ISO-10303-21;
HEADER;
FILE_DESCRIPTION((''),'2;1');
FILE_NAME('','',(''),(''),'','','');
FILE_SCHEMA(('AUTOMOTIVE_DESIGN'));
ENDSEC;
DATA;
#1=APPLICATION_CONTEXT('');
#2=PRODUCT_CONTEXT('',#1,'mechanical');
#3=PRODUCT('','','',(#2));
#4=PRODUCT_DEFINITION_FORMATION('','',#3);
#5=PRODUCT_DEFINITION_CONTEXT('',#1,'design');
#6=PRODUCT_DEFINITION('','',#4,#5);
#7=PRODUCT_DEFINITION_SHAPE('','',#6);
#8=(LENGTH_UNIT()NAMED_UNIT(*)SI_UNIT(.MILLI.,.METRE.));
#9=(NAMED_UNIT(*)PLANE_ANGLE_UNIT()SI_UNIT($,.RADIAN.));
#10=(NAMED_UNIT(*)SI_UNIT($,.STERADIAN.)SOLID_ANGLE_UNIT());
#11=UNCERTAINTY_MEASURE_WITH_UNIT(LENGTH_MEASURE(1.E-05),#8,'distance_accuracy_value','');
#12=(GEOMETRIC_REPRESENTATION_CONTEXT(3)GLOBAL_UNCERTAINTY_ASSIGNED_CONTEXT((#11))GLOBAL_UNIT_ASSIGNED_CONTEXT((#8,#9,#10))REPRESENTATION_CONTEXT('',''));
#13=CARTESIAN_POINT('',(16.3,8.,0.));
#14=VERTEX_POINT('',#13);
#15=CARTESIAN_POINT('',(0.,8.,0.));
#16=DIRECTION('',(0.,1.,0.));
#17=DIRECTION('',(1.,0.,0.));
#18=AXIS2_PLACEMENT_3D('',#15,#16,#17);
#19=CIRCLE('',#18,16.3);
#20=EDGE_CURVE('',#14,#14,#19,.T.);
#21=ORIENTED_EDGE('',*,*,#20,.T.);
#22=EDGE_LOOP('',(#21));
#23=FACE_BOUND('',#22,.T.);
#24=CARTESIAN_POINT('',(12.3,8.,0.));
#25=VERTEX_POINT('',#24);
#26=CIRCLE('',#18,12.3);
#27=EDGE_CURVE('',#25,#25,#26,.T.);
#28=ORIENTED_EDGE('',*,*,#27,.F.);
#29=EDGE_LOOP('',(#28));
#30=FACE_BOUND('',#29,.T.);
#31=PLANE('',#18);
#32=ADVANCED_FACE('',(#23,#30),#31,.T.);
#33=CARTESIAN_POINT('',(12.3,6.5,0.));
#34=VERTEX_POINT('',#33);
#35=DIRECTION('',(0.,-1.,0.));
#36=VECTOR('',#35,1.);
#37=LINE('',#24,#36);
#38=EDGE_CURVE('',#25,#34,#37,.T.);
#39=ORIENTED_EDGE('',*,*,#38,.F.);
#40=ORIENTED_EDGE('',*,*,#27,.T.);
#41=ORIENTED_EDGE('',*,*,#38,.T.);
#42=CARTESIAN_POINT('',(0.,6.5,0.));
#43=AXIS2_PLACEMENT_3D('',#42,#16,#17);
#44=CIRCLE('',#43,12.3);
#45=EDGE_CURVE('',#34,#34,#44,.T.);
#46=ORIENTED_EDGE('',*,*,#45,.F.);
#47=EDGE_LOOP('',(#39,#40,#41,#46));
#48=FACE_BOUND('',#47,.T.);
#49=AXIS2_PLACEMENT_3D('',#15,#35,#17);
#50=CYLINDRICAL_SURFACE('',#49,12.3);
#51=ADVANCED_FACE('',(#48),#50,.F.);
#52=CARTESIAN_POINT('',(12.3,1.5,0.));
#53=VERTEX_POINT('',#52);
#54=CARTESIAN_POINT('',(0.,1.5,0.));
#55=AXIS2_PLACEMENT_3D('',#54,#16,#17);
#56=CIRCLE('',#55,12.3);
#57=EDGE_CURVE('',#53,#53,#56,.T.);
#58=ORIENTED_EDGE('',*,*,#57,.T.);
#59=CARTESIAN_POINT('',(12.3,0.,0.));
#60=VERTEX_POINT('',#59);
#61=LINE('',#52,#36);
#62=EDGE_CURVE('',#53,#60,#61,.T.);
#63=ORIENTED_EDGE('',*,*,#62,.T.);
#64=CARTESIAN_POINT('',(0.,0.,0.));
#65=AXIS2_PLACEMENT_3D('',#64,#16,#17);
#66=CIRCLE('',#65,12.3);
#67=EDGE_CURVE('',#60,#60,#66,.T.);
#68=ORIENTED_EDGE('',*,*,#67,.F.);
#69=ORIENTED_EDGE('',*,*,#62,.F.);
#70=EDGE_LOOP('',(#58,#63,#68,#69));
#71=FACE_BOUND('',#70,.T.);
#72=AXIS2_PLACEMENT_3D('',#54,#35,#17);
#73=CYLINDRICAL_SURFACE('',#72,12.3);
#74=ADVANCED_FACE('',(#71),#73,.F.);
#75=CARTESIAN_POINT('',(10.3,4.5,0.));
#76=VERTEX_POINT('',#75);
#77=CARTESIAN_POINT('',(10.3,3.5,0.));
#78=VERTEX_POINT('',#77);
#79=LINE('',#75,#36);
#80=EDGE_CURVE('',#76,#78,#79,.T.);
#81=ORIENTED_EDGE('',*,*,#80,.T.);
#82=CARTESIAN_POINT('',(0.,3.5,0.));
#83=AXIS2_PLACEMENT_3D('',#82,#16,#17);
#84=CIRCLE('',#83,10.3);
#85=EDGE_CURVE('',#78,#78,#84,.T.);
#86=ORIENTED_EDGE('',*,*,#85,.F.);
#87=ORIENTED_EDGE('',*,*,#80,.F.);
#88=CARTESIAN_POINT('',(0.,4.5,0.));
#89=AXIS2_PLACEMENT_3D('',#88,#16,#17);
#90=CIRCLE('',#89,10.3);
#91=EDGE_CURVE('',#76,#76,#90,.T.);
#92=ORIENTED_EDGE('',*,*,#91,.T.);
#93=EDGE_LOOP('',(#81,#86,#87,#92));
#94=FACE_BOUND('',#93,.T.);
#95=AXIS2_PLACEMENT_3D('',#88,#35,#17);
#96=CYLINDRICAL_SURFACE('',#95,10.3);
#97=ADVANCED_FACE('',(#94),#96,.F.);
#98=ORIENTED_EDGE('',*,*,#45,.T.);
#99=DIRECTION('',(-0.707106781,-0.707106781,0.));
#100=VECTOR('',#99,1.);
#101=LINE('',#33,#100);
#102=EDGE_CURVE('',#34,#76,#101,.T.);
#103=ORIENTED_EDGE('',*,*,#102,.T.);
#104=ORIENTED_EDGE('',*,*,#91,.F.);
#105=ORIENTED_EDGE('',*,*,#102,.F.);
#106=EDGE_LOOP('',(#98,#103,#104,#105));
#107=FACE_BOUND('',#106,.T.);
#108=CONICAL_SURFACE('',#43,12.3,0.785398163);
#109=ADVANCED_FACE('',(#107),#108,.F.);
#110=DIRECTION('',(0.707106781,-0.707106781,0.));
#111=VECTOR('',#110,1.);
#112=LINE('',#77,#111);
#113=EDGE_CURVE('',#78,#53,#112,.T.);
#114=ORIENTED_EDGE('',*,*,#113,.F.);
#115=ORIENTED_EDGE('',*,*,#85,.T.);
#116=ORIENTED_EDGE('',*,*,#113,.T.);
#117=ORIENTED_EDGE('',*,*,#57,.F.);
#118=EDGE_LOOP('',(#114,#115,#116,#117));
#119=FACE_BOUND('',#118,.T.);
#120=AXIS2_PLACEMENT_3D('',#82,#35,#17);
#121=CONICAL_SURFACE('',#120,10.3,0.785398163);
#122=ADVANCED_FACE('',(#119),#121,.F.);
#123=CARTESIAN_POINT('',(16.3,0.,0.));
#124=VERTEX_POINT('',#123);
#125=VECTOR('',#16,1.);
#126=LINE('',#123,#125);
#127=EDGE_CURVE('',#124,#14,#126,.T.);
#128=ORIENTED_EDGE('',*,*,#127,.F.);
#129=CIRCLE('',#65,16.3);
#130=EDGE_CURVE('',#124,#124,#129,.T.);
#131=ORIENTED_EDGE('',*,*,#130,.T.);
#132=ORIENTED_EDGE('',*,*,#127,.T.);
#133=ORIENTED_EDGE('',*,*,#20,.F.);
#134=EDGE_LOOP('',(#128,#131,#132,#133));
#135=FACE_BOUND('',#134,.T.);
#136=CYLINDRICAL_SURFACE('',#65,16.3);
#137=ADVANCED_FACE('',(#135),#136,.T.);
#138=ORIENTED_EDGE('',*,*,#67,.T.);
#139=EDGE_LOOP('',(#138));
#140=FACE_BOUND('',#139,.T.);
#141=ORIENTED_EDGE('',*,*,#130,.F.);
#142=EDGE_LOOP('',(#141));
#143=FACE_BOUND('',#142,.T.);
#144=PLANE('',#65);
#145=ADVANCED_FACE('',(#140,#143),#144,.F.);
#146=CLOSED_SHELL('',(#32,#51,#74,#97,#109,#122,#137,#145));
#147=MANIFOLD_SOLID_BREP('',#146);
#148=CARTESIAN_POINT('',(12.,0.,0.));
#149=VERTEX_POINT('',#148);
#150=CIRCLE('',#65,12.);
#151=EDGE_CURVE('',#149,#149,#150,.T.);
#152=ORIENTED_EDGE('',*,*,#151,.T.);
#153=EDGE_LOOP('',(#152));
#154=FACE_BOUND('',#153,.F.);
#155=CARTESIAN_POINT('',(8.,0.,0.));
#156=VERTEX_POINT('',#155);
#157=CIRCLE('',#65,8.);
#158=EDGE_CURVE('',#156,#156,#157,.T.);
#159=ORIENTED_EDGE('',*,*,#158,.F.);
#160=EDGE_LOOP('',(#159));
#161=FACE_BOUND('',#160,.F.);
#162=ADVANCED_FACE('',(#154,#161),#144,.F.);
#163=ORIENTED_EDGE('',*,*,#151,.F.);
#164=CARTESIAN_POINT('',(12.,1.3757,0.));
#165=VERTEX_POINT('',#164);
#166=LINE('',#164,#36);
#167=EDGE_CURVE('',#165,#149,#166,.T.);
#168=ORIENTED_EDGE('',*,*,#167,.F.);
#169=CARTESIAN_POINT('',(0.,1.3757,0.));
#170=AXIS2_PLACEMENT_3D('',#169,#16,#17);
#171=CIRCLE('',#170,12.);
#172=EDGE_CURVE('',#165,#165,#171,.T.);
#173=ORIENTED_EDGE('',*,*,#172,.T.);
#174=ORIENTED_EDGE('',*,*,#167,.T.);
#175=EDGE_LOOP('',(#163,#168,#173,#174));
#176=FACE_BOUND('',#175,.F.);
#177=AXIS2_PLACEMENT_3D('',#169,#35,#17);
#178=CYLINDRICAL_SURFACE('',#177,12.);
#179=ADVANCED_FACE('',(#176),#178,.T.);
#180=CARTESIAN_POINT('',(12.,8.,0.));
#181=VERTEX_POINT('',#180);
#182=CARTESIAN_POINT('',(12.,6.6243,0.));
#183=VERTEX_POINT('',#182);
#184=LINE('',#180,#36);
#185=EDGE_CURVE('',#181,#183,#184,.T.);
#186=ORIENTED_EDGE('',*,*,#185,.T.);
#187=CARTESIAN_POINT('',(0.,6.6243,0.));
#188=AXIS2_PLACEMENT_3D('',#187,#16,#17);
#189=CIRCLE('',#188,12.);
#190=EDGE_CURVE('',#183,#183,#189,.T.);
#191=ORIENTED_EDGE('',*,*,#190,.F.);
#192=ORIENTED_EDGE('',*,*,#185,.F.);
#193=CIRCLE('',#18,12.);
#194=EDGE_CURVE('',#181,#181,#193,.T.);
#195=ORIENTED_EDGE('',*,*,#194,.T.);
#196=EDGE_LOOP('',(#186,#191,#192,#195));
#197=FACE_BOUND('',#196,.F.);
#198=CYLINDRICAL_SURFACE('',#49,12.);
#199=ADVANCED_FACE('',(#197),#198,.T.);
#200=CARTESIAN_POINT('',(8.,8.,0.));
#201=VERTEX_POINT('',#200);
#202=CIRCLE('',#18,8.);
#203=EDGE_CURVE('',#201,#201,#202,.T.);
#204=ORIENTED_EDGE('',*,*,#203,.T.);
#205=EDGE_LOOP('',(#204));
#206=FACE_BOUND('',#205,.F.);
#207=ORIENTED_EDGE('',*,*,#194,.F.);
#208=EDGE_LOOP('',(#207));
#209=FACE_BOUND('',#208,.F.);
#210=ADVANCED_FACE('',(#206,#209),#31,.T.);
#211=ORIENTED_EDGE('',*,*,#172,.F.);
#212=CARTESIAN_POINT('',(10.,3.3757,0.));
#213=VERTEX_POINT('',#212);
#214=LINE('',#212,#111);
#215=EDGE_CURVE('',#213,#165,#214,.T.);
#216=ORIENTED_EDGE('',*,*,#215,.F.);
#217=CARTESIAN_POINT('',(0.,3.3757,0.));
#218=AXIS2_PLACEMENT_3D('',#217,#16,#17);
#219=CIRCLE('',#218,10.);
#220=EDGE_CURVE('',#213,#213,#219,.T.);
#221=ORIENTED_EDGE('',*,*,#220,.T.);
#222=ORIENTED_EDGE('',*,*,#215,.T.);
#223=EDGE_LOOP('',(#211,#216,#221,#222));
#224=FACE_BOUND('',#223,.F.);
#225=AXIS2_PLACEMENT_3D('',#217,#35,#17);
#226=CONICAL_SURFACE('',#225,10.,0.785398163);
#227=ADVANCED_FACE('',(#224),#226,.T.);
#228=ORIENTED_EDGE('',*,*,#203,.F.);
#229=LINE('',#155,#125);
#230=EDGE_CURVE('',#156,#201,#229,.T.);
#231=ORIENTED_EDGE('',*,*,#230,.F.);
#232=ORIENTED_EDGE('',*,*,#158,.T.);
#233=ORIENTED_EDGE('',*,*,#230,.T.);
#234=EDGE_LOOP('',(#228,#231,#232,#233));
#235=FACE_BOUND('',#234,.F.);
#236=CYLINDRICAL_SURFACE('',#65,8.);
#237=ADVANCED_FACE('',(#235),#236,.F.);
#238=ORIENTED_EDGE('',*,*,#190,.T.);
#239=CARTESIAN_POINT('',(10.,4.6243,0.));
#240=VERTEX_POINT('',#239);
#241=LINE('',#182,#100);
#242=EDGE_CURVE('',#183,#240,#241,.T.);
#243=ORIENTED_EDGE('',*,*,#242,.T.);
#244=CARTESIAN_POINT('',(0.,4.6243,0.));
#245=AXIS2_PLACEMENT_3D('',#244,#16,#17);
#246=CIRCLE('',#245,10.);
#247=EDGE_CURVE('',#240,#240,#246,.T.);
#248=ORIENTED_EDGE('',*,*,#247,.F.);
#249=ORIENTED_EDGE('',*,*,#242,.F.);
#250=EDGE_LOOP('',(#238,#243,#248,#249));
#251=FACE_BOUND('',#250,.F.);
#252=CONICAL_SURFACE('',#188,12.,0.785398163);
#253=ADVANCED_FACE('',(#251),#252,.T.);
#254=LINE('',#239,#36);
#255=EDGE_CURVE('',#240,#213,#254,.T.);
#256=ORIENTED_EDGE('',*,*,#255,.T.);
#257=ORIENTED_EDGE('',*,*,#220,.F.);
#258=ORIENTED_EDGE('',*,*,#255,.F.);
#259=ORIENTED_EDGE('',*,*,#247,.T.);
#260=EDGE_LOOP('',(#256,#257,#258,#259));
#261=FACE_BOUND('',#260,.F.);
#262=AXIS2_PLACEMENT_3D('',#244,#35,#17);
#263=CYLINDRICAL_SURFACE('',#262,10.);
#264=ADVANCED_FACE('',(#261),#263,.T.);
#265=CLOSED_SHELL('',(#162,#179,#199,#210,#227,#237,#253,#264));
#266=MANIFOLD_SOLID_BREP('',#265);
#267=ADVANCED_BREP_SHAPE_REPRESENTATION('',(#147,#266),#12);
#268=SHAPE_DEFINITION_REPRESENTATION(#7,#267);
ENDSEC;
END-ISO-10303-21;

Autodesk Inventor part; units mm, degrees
ref_plane "YZ Plane" through (0, 0, 0) normal (1, 0, 0) x (0, 1, 0)
ref_plane "XZ Plane" through (0, 0, 0) normal (0, 1, 0) x (-1, 0, 0)
ref_plane "XY Plane" through (0, 0, 0) normal (0, 0, 1) x (1, 0, 0)
sketch "Sketch1" plane through (0, 0, 0) normal (0, 0, 1) x (1, 0, 0)
  line L0 (0, 0) -> (0, 31.7838) construction
  line L1 (8, 0) -> (8, 8)
  line L2 (8, 8) -> (12, 8)
  line L3 (12, 8) -> (12, 6.6243)
  line L4 (12, 6.6243) -> (10, 4.6243)
  line L5 (10, 4.6243) -> (10, 3.3757)
  line L6 (10, 3.3757) -> (12, 1.3757)
  line L7 (12, 1.3757) -> (12, 0)
  line L8 (12, 0) -> (8, 0)
  line L9 (12.3, 8) -> (12.3, 6.5)
  line L10 (12.3, 6.5) -> (10.3, 4.5)
  line L11 (10.3, 4.5) -> (10.3, 3.5)
  line L12 (10.3, 3.5) -> (12.3, 1.5)
  line L13 (12.3, 1.5) -> (12.3, 0)
  line L14 (16.3, 0) -> (16.3, 8)
  line L15 (16.3, 8) -> (12.3, 8)
  line L16 (12.3, 0) -> (16.3, 0)
  point P0 (11.3, 5.5)
  dimension "d0" = 8
  dimension "d1" = 4
  dimension "d2" = 135
  dimension "d3" = 4
  dimension "d4" = 0.3
  dimension "d5" = 0.3
  dimension "d6" = 0.3
  dimension "d7" = 8
  dimension "d8" = 1.5
  dimension "d9" = 1
revolve "Revolution1" add sketch "Sketch1" angle 360 about axis through (0, 0, 0) along (0, 1, 0)
equation "\"d5\" = d4"
equation "\"d6\" = d4"
properties part number "BearingTest"
